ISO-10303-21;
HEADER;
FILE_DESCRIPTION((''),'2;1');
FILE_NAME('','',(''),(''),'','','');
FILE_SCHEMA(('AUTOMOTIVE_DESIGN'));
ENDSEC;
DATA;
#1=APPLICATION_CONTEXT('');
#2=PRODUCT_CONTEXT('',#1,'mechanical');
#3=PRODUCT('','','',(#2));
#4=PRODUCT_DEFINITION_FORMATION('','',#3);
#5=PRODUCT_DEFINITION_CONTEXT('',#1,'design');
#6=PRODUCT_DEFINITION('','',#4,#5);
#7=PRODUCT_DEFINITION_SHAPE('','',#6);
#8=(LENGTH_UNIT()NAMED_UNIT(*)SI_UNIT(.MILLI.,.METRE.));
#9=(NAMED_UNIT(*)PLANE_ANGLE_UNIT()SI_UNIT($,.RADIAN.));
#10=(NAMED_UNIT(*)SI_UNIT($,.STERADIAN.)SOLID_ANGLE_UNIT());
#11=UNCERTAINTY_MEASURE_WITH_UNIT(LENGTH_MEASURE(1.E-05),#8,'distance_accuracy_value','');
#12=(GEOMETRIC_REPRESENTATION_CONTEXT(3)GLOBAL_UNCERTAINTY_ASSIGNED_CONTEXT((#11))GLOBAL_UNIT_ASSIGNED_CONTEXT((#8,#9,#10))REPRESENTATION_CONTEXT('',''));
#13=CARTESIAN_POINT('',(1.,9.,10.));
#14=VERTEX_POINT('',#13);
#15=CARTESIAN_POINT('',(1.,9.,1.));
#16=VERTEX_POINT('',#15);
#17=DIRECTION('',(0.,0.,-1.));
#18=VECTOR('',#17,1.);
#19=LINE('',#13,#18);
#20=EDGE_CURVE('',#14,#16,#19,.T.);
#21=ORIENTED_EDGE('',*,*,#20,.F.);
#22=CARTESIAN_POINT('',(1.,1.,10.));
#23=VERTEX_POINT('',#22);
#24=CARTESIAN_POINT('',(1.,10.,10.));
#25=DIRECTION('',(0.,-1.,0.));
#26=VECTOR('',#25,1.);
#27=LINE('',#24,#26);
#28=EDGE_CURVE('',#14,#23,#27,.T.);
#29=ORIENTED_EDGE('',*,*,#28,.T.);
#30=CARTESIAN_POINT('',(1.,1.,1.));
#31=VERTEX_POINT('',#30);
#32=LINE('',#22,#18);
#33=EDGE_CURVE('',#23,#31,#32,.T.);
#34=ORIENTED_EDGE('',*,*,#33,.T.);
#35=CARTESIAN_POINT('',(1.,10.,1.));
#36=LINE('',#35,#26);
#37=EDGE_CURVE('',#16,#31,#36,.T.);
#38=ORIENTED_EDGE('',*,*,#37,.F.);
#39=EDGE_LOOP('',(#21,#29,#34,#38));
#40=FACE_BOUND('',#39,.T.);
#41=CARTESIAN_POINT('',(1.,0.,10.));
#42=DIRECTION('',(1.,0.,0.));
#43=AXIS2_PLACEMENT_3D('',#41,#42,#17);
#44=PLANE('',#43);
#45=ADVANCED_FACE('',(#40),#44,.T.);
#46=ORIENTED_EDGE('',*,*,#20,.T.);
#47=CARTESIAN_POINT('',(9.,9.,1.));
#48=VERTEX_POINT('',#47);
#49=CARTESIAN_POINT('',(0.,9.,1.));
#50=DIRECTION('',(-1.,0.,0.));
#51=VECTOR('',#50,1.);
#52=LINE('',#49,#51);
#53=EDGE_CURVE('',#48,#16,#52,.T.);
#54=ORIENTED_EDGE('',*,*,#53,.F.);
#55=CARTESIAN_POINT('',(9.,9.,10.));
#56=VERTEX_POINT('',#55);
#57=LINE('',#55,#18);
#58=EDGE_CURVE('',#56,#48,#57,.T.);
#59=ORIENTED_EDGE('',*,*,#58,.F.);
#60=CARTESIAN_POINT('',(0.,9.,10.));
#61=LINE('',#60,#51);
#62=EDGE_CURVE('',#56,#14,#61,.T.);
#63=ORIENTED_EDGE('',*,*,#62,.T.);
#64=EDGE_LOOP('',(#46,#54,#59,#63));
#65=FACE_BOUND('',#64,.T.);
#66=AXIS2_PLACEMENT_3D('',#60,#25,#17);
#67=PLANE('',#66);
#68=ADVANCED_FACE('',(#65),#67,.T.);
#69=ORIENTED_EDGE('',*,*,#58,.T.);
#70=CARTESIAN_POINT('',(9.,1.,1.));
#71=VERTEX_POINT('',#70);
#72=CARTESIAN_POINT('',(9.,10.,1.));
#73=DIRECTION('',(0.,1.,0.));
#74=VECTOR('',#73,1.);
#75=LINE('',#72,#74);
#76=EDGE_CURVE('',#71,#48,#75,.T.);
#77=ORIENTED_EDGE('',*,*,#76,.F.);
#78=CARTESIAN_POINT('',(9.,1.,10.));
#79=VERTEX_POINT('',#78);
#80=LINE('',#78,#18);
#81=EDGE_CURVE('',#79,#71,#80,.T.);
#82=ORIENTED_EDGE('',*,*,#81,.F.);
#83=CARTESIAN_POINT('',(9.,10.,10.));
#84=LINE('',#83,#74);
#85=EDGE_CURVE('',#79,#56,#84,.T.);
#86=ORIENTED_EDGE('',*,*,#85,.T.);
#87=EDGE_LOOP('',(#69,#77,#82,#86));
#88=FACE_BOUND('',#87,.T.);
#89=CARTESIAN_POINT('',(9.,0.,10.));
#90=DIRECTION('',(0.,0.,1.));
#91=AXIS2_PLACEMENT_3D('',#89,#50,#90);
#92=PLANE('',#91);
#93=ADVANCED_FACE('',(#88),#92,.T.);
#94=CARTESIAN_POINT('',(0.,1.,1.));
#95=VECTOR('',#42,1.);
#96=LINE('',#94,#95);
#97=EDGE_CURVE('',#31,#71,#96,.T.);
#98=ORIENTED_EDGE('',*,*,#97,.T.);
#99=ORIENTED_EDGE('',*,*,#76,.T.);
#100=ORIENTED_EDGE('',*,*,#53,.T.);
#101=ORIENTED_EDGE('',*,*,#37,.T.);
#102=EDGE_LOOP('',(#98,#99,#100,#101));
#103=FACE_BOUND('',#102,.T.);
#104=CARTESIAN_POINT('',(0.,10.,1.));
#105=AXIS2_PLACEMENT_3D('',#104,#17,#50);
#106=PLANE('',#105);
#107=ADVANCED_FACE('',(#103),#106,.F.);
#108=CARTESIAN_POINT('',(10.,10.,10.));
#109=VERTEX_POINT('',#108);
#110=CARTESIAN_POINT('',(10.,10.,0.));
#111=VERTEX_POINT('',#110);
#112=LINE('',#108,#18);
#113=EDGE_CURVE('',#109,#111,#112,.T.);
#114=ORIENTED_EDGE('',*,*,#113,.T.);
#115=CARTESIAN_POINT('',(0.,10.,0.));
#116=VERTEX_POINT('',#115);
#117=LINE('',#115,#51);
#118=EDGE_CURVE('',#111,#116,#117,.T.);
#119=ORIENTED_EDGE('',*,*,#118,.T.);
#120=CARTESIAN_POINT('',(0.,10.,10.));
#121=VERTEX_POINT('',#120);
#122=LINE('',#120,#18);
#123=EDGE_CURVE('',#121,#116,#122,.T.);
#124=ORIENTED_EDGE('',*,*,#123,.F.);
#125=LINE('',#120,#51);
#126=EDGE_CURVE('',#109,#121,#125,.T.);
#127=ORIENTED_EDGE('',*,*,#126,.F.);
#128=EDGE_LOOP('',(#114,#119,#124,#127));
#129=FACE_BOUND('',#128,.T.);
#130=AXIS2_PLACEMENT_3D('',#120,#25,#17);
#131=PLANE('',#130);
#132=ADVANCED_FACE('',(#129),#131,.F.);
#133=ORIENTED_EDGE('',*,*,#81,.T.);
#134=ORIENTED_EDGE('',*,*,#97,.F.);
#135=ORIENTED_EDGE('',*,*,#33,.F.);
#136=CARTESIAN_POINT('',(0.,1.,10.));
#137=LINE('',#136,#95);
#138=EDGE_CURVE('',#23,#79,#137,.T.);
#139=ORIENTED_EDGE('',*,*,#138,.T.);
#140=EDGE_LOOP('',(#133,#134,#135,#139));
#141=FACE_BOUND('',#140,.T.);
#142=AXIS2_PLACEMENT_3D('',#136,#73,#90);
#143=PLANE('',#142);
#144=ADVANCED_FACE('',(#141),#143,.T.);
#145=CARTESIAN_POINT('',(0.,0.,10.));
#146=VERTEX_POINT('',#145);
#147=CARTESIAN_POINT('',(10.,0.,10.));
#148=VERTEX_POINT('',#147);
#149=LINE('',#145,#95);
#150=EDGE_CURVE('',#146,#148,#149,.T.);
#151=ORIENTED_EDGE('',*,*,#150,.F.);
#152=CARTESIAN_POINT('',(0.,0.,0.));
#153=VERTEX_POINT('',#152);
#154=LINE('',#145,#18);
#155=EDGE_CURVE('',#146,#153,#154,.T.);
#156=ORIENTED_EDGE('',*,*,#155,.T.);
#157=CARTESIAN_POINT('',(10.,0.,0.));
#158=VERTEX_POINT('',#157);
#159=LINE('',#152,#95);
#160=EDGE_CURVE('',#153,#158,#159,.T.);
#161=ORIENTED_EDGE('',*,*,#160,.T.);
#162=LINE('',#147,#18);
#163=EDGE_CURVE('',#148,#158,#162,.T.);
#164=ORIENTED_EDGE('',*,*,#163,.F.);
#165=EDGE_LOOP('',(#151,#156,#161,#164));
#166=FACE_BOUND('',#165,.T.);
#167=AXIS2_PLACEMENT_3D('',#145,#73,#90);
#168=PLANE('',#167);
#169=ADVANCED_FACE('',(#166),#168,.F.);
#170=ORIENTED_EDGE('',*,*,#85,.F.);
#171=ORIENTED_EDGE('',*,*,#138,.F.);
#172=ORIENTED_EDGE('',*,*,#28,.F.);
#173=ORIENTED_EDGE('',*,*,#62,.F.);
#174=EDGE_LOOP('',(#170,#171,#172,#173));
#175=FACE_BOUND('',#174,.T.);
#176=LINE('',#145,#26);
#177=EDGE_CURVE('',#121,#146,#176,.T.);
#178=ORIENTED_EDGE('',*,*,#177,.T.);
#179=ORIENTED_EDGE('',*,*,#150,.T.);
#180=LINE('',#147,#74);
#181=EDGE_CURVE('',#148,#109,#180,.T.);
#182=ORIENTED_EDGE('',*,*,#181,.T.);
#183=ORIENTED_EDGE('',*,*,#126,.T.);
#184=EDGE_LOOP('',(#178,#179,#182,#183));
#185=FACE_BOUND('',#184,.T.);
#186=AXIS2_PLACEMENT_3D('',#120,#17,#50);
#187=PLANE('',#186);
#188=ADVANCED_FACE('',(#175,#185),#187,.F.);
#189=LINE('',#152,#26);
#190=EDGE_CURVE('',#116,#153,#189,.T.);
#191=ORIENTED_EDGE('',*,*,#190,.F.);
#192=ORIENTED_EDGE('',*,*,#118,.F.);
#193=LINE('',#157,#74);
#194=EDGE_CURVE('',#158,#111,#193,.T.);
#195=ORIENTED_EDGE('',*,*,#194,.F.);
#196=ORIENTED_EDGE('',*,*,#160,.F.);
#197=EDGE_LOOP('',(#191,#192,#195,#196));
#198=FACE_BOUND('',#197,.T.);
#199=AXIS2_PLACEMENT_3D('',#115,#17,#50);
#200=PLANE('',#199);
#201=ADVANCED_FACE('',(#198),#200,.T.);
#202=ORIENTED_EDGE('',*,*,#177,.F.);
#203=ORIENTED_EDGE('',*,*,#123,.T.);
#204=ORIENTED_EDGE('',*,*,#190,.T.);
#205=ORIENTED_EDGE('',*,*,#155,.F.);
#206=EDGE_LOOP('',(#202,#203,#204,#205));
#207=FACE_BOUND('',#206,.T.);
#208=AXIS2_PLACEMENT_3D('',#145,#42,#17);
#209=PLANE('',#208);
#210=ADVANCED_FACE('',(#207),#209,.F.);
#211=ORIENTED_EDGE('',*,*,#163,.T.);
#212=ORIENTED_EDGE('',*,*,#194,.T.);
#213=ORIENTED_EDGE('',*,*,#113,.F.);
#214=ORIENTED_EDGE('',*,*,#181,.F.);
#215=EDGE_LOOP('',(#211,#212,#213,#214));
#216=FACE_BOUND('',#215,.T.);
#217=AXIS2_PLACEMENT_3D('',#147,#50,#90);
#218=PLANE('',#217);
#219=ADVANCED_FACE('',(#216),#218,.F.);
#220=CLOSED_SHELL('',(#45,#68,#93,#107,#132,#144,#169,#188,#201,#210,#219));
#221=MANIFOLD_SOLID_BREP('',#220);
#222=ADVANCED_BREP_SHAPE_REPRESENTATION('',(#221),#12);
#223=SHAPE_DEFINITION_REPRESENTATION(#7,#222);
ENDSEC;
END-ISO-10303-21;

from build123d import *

# Parameters (mm, degrees)
SKETCH1_W           = 10
SKETCH1_H           = 10
BOSS_EXTRUDE1_DEPTH = 10
SHELL1_T            = -1


with BuildPart() as part:
    # Sketch1 → Boss-Extrude1 (new body)
    with BuildSketch(Plane.XY):
        with Locations((5, 5)):
            Rectangle(SKETCH1_W, SKETCH1_H)
    extrude(amount=BOSS_EXTRUDE1_DEPTH)

    # Shell1
    shell1_openings = [part.faces().sort_by_distance(p)[0] for p in [
        (5, 5, 10),
    ]]
    offset(amount=SHELL1_T, openings=shell1_openings, kind=Kind.INTERSECTION)


solid = part.part
